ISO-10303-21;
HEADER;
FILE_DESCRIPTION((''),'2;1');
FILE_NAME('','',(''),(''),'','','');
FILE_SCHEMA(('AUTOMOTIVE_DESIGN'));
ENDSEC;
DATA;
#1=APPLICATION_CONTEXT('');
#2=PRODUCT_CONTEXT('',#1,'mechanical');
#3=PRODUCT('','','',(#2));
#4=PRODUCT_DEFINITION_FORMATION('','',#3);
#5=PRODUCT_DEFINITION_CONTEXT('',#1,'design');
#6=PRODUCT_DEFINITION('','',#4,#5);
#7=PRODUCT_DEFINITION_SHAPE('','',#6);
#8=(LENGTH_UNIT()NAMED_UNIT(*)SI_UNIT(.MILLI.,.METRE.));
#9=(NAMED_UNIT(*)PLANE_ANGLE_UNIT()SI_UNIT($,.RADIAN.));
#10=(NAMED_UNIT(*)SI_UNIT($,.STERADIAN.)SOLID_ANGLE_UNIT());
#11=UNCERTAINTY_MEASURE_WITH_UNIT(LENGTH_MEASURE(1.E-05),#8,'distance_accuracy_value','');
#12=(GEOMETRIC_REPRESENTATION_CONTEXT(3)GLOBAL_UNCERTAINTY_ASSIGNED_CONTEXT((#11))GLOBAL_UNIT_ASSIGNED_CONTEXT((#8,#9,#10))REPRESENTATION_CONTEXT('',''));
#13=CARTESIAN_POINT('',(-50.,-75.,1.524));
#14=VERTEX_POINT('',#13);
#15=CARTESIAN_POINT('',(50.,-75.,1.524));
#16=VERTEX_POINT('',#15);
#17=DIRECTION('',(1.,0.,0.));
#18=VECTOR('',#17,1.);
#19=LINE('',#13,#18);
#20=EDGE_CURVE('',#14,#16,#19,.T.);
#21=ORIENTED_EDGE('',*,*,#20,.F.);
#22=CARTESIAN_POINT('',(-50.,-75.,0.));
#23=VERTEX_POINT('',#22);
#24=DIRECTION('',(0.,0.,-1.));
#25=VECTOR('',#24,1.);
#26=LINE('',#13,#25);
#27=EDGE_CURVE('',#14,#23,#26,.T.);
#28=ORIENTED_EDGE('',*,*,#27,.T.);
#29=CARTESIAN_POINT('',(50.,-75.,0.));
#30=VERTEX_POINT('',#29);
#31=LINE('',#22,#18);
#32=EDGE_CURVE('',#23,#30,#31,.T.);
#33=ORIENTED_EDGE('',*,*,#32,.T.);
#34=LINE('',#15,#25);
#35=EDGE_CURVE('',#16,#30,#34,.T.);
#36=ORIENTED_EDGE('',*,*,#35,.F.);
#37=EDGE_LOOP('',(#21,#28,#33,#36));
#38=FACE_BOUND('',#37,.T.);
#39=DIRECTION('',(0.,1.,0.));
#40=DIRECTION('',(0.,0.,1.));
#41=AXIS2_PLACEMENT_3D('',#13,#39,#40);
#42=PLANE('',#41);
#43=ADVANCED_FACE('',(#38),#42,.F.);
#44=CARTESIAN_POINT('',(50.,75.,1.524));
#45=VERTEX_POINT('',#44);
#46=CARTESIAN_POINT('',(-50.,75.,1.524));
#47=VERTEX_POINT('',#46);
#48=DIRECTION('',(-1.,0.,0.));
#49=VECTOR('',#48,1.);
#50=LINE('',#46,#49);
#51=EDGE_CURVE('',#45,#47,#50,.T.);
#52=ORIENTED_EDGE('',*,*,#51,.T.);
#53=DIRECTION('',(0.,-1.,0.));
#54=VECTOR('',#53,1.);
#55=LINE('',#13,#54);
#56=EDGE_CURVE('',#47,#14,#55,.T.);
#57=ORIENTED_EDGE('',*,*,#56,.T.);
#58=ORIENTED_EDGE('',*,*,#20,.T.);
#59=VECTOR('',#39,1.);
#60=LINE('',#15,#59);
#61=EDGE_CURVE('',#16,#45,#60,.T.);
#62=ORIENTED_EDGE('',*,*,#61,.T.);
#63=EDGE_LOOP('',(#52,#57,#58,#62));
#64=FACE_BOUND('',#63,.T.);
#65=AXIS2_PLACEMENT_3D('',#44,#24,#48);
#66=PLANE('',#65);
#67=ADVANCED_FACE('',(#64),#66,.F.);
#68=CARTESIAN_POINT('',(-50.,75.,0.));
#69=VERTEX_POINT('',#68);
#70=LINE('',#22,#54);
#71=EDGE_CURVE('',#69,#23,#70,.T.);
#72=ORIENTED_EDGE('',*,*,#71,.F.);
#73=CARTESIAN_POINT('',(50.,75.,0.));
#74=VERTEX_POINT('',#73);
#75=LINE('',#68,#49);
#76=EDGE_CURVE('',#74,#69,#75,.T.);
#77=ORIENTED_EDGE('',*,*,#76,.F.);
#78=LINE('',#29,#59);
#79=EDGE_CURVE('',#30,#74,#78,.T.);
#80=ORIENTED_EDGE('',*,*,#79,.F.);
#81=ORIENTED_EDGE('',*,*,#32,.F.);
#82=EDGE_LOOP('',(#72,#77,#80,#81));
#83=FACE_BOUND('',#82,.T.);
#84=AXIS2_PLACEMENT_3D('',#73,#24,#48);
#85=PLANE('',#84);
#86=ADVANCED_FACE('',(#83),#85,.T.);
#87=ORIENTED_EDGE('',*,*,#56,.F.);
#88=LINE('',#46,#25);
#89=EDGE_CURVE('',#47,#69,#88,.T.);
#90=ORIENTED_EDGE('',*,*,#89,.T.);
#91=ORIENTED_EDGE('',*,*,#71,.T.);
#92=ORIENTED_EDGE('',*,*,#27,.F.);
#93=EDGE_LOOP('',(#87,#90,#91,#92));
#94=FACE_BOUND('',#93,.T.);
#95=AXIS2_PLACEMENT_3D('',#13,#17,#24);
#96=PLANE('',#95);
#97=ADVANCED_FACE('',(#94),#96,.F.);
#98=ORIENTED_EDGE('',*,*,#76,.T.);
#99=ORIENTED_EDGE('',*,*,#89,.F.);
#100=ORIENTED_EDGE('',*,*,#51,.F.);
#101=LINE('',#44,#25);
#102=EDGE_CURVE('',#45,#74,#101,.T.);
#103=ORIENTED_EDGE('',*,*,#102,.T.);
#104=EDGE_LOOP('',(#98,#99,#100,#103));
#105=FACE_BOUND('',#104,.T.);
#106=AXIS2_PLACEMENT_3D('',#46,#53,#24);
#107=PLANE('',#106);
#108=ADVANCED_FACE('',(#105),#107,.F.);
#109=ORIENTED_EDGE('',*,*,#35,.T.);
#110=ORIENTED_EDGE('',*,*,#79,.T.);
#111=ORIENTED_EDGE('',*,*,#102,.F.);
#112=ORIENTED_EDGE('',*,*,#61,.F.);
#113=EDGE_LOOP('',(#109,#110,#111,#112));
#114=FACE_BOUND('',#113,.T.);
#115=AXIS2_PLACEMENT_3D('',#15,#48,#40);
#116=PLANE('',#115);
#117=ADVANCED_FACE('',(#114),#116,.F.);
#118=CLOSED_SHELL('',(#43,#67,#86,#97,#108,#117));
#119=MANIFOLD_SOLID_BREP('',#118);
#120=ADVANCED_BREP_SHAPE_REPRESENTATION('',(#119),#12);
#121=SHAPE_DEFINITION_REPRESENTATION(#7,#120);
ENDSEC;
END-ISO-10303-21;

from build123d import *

# Parameters (mm, degrees)
SKETCH1_W      = 100
SKETCH1_H      = 150
EXTRUDE1_DEPTH = 1.524


with BuildPart() as part:
    # Sketch1 → Extrude1 (new body)
    with BuildSketch(Plane.XY):
        Rectangle(SKETCH1_W, SKETCH1_H)
    extrude(amount=EXTRUDE1_DEPTH)


solid = part.part
